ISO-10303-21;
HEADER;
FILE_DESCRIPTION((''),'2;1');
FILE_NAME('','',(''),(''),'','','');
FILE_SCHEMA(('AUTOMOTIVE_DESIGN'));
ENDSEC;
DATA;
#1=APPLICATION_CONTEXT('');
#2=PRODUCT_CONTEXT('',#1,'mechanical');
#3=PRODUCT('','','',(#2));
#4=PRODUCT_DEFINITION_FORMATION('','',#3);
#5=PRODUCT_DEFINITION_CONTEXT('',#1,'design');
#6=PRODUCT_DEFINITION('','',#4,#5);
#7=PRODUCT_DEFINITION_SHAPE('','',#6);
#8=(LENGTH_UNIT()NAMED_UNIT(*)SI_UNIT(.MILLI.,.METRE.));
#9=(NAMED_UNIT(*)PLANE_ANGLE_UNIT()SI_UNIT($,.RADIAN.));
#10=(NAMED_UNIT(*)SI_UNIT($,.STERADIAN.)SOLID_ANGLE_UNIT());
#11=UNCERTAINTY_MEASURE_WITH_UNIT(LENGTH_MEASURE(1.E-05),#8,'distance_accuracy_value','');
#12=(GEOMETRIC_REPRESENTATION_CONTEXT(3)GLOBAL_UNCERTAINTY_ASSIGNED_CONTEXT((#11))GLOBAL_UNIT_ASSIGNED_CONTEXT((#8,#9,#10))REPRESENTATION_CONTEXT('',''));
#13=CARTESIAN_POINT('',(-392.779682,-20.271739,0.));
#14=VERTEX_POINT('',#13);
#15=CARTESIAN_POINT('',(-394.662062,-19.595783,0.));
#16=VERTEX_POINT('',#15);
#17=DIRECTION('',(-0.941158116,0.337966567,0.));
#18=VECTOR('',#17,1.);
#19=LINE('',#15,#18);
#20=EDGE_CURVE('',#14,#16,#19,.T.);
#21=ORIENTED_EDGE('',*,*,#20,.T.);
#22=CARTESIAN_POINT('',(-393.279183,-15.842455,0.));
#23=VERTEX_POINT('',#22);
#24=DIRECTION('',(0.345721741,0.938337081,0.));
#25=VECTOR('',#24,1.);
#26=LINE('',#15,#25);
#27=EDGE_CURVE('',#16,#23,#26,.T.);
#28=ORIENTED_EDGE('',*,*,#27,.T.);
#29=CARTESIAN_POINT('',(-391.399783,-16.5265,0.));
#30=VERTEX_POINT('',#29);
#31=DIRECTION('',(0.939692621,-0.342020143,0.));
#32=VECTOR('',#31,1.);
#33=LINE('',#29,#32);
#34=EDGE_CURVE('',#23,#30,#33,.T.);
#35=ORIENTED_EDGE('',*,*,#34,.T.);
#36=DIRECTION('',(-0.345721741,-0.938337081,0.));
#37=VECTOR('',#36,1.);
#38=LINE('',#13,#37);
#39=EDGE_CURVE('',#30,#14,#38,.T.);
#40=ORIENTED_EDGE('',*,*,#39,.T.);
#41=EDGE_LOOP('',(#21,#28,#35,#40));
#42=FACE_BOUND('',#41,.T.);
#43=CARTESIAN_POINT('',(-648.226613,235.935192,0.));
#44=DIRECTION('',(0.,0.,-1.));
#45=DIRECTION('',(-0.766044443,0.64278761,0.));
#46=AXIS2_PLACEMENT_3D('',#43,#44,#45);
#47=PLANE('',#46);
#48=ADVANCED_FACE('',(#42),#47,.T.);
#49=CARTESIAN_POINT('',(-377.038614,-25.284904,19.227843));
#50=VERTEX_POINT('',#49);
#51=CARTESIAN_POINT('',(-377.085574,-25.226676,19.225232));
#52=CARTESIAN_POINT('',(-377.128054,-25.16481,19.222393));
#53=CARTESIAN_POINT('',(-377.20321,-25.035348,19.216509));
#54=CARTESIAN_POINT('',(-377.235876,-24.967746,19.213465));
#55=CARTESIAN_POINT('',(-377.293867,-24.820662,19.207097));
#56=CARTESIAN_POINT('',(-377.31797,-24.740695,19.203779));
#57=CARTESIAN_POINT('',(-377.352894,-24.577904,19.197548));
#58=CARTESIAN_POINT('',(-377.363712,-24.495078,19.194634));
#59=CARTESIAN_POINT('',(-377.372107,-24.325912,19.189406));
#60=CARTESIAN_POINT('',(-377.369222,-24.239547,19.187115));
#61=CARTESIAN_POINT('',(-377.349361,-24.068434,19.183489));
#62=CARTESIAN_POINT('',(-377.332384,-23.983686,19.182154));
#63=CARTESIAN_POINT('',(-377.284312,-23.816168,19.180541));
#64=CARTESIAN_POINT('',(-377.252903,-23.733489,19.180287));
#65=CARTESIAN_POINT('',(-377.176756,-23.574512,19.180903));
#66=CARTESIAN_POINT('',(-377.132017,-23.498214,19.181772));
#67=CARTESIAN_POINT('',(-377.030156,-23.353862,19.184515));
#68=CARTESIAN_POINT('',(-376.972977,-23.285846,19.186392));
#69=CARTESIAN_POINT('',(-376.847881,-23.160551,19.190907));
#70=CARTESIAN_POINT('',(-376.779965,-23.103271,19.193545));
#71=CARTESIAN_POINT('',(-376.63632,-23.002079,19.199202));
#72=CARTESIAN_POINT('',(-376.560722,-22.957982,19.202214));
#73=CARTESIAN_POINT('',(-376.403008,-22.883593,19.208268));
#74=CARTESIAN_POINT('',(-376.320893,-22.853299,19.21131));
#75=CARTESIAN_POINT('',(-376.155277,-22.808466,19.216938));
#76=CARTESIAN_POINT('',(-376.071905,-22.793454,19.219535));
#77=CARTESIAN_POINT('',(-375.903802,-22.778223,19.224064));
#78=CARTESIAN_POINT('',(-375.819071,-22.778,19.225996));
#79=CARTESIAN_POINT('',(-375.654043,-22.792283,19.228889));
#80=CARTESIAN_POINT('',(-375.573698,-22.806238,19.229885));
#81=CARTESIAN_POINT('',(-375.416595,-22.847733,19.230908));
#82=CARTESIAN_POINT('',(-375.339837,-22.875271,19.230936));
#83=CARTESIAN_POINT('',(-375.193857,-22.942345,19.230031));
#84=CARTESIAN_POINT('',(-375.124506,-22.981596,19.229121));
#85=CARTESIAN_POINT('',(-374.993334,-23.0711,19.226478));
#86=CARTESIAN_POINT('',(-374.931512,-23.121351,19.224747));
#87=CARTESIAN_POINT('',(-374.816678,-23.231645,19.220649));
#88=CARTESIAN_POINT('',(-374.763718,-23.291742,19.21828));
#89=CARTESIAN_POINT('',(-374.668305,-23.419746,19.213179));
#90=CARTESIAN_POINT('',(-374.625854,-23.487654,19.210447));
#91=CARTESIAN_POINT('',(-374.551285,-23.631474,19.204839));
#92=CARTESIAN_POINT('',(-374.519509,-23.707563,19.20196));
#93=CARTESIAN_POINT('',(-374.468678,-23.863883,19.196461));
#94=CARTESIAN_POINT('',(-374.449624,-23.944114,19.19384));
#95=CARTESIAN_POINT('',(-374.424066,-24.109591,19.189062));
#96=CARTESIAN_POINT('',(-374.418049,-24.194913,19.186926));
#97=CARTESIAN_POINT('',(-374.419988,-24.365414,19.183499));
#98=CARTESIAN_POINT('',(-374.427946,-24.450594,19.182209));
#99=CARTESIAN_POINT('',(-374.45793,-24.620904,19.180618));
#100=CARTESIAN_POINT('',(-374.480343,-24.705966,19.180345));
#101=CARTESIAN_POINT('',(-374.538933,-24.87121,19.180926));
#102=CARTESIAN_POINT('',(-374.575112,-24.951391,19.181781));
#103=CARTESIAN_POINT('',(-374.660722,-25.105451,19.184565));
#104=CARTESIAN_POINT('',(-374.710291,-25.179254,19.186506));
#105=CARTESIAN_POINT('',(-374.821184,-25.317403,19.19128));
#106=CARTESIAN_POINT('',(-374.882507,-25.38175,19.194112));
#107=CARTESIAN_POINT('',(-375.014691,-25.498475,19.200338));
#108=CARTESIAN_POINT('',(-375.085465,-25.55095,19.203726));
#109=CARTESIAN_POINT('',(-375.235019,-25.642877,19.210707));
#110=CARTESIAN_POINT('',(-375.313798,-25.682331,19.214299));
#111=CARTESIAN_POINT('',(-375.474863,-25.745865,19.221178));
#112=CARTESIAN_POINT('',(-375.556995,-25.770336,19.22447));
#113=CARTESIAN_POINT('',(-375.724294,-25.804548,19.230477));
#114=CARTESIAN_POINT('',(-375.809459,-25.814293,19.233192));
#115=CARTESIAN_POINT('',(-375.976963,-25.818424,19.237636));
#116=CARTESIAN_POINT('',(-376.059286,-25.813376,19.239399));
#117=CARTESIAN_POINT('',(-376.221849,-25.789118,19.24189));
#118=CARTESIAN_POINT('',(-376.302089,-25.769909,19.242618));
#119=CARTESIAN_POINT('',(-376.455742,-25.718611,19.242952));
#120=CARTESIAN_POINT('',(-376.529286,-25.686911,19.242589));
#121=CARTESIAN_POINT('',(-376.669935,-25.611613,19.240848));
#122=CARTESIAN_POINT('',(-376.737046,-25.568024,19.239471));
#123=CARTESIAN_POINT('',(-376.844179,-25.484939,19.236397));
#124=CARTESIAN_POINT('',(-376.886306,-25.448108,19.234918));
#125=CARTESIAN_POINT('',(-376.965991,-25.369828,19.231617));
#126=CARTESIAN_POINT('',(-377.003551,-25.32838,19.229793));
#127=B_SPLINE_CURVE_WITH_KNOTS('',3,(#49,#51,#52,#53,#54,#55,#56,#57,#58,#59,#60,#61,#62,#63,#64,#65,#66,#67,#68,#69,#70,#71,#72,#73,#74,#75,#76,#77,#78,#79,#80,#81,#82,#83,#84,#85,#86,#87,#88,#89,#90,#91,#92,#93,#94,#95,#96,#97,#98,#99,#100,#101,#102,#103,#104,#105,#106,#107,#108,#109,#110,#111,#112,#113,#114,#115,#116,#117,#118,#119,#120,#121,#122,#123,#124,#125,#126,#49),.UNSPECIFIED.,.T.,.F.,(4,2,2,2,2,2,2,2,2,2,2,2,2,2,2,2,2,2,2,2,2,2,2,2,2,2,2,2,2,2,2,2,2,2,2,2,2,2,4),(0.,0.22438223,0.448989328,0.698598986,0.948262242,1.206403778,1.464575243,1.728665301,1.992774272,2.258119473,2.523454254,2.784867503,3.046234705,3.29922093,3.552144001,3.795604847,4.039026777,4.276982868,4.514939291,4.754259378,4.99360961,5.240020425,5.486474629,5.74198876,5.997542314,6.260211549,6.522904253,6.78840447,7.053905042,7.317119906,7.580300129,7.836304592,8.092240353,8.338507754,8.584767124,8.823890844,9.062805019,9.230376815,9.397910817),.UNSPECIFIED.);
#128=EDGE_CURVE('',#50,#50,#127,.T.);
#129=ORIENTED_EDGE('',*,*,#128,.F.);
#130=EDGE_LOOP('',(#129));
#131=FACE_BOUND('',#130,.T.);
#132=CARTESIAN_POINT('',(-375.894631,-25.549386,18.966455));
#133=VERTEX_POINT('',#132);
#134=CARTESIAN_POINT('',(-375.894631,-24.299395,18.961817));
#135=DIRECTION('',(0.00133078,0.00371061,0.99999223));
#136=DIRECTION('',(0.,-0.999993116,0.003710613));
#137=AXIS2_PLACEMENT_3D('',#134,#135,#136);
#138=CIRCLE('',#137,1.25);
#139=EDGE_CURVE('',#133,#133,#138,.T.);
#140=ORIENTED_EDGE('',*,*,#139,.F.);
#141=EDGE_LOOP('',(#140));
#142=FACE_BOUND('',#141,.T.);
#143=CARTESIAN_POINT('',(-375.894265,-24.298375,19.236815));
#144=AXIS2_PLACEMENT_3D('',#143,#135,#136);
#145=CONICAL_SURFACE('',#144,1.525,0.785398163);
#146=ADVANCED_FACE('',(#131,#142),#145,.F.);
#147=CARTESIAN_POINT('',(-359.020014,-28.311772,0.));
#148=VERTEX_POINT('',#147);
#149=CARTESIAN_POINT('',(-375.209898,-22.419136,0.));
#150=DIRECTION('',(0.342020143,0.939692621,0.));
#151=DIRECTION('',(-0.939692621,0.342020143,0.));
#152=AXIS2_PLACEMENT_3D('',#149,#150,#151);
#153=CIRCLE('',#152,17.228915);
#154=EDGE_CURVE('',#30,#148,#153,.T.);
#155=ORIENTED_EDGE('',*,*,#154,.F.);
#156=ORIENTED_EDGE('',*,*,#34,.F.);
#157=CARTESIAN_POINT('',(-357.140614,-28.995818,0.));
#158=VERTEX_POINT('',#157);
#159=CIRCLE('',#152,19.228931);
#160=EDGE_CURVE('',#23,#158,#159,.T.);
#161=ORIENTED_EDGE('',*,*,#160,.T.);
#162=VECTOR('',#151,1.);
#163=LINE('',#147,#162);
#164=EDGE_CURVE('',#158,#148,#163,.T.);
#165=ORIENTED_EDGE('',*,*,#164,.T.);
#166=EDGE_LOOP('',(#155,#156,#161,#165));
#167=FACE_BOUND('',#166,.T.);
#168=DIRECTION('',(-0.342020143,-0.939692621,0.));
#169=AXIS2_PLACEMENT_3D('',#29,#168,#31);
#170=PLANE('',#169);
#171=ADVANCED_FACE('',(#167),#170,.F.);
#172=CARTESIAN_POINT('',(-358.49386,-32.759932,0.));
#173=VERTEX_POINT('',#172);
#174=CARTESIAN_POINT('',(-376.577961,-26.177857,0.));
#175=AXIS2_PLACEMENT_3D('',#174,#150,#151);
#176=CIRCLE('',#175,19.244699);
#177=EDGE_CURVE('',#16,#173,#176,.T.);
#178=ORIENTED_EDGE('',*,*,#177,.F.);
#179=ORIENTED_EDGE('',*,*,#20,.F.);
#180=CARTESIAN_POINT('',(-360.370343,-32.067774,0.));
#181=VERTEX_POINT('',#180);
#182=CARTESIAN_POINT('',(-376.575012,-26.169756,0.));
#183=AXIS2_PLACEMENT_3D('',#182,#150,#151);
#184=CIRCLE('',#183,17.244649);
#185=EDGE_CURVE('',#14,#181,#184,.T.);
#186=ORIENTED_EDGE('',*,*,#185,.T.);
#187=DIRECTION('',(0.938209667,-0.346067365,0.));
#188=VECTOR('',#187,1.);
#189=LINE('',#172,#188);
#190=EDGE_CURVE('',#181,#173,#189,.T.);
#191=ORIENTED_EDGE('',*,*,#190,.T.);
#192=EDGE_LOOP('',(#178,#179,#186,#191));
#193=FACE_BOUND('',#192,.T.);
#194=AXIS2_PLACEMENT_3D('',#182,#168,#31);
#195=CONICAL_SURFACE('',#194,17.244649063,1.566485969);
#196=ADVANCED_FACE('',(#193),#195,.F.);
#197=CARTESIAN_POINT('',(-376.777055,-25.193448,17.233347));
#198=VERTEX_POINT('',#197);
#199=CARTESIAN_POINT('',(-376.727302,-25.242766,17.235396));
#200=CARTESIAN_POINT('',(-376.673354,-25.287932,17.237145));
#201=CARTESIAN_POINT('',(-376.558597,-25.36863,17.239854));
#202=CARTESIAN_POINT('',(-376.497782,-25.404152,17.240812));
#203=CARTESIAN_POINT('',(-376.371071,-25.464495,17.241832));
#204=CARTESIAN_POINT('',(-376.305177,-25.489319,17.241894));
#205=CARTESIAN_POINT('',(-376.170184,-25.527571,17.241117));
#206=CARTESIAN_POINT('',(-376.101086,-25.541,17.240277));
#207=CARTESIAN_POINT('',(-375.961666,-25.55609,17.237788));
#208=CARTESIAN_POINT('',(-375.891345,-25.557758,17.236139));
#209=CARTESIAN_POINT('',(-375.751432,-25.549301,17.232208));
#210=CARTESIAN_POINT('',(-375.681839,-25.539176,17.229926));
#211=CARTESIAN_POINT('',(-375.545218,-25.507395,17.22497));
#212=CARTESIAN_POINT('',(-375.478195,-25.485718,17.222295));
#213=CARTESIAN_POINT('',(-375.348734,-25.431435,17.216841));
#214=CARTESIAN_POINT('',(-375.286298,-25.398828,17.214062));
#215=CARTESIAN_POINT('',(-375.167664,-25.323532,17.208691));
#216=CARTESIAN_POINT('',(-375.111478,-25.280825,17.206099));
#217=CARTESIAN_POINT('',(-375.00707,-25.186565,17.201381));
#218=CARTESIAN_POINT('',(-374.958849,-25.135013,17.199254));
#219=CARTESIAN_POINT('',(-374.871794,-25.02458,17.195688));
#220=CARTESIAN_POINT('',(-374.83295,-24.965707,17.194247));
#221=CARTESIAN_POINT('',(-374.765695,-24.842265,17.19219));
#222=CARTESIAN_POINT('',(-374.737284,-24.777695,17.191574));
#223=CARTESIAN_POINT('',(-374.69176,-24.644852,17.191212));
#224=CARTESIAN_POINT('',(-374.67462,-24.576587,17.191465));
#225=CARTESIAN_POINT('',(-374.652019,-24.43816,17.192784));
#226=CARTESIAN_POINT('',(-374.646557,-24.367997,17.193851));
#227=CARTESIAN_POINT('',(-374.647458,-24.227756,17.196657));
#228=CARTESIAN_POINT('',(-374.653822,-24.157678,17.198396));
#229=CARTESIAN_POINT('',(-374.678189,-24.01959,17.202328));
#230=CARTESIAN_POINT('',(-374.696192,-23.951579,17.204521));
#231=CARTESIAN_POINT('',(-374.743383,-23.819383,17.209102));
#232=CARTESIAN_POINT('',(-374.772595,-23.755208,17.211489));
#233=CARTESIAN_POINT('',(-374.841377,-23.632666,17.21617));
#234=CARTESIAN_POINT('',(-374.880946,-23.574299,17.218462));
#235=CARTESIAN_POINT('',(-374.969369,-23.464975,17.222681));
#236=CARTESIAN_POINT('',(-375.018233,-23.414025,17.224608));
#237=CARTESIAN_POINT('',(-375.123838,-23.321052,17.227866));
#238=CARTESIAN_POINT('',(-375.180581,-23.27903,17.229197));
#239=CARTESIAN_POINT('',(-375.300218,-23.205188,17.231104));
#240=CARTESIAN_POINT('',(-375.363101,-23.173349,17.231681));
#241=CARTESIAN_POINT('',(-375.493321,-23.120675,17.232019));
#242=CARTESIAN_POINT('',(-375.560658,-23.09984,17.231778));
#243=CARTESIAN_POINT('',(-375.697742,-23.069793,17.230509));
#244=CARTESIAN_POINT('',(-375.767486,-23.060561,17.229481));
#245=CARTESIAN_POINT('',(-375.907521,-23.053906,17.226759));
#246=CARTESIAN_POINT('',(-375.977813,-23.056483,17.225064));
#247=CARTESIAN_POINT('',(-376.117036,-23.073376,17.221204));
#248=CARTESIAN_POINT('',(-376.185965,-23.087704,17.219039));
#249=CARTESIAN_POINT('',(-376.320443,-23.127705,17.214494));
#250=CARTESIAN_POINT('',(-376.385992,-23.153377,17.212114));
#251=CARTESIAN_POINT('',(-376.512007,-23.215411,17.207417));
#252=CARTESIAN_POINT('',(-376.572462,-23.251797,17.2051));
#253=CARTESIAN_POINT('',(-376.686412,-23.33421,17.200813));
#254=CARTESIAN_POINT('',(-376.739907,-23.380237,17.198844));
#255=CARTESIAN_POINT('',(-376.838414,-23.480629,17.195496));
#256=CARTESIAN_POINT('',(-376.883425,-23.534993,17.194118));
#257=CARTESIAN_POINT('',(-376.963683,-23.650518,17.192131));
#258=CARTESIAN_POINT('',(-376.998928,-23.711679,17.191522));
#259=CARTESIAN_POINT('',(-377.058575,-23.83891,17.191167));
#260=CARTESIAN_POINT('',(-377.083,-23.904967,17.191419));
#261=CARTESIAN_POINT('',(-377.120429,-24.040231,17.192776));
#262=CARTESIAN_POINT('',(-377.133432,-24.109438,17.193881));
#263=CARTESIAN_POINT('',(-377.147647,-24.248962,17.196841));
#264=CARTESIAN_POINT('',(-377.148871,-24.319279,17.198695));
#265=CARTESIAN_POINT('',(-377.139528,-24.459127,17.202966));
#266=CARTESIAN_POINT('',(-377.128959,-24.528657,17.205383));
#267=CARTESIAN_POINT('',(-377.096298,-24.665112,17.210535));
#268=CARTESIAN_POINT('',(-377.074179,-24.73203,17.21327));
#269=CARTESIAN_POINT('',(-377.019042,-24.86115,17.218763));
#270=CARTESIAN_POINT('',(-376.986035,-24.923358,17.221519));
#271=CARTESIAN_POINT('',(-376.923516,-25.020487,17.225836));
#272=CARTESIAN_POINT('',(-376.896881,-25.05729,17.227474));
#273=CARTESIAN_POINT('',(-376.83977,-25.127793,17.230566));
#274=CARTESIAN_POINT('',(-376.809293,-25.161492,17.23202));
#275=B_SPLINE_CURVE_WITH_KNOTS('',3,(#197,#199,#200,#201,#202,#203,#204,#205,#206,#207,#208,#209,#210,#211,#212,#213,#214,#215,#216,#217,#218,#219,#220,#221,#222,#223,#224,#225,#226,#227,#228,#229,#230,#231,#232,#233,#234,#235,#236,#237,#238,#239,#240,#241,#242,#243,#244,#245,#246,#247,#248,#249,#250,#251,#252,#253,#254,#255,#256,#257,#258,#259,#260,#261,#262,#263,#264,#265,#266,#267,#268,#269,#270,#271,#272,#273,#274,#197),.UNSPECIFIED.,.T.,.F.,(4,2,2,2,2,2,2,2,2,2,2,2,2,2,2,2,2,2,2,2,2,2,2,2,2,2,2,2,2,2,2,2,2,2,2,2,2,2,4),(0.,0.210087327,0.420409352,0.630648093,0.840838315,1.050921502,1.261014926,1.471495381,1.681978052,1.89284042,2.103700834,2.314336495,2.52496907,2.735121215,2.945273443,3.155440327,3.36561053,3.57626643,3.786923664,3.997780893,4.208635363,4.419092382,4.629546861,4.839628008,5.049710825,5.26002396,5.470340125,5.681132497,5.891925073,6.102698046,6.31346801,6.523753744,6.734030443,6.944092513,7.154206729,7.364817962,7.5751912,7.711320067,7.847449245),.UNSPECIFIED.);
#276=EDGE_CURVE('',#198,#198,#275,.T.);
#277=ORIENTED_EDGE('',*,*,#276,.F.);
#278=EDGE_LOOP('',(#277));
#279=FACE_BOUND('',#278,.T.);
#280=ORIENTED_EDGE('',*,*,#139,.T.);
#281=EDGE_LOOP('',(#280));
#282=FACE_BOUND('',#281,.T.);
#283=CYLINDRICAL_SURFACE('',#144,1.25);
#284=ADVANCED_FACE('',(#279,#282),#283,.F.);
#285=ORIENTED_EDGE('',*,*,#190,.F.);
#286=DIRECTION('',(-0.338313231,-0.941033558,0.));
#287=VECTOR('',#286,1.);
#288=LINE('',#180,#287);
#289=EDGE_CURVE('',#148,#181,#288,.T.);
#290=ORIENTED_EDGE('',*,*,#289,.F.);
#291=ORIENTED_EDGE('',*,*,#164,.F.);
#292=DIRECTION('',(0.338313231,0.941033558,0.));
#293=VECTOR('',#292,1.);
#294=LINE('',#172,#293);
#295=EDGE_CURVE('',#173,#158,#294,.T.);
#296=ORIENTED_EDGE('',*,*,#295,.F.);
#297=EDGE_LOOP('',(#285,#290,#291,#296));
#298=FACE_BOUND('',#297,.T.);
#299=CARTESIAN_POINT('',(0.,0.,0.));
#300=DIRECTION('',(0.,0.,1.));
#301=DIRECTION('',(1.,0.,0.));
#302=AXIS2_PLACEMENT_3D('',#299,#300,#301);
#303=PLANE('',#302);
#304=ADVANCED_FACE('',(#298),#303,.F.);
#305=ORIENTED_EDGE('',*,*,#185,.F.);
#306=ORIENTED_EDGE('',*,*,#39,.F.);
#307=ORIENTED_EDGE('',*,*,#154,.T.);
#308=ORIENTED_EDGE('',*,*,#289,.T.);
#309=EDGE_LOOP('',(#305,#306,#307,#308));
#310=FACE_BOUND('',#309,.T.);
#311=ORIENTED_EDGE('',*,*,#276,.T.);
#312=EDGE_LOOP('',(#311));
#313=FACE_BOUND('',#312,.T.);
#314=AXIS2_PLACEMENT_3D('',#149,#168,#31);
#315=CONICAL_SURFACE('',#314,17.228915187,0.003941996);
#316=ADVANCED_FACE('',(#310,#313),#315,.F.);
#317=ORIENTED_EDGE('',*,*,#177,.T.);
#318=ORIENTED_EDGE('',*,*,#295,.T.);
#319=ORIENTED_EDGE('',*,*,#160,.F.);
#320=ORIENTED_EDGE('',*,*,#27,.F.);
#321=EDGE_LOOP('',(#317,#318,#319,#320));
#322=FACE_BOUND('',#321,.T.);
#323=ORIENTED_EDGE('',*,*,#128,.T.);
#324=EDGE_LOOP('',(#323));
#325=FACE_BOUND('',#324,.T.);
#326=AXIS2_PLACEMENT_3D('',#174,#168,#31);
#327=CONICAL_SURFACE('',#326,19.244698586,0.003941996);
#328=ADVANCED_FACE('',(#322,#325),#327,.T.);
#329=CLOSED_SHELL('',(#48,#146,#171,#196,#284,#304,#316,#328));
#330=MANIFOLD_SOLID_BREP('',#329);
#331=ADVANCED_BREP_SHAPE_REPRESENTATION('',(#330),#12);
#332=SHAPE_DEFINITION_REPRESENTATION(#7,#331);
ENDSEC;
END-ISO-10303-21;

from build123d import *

# Parameters (mm, degrees)
ROTOVAT1_ANGLE        = 180
M3_Z_VIT1_D           = 2.5
M3_Z_VIT1_DEPTH       = 19.288970198
M3_Z_VIT1_CSINK_D     = 3.05
M3_Z_VIT1_CSINK_ANGLE = 90


with BuildPart() as part:
    # Skica1 → Rotovat1 (revolve)
    with BuildSketch(Plane.XY):
        Polygon((-358.493859674, -32.75993206), (-357.140613979, -28.995817934), (-359.020013823, -28.311772333), (-360.370342902, -32.067773761), align=None)
    revolve(axis=Axis((-372.880596884, -16.019433279, 0), (-0.342020143, -0.939692621, 0)), revolution_arc=ROTOVAT1_ANGLE)

    # M3 závit1
    with Locations(Plane(origin=(-375.894265461, -24.29837465, 19.236814653), x_dir=(0, 0.999993116, -0.003710613), z_dir=(0.00133078, 0.00371061, 0.99999223))):
        with Locations((0, 0)):
            CounterSinkHole(M3_Z_VIT1_D / 2, M3_Z_VIT1_CSINK_D / 2, depth=M3_Z_VIT1_DEPTH, counter_sink_angle=M3_Z_VIT1_CSINK_ANGLE)


solid = part.part
